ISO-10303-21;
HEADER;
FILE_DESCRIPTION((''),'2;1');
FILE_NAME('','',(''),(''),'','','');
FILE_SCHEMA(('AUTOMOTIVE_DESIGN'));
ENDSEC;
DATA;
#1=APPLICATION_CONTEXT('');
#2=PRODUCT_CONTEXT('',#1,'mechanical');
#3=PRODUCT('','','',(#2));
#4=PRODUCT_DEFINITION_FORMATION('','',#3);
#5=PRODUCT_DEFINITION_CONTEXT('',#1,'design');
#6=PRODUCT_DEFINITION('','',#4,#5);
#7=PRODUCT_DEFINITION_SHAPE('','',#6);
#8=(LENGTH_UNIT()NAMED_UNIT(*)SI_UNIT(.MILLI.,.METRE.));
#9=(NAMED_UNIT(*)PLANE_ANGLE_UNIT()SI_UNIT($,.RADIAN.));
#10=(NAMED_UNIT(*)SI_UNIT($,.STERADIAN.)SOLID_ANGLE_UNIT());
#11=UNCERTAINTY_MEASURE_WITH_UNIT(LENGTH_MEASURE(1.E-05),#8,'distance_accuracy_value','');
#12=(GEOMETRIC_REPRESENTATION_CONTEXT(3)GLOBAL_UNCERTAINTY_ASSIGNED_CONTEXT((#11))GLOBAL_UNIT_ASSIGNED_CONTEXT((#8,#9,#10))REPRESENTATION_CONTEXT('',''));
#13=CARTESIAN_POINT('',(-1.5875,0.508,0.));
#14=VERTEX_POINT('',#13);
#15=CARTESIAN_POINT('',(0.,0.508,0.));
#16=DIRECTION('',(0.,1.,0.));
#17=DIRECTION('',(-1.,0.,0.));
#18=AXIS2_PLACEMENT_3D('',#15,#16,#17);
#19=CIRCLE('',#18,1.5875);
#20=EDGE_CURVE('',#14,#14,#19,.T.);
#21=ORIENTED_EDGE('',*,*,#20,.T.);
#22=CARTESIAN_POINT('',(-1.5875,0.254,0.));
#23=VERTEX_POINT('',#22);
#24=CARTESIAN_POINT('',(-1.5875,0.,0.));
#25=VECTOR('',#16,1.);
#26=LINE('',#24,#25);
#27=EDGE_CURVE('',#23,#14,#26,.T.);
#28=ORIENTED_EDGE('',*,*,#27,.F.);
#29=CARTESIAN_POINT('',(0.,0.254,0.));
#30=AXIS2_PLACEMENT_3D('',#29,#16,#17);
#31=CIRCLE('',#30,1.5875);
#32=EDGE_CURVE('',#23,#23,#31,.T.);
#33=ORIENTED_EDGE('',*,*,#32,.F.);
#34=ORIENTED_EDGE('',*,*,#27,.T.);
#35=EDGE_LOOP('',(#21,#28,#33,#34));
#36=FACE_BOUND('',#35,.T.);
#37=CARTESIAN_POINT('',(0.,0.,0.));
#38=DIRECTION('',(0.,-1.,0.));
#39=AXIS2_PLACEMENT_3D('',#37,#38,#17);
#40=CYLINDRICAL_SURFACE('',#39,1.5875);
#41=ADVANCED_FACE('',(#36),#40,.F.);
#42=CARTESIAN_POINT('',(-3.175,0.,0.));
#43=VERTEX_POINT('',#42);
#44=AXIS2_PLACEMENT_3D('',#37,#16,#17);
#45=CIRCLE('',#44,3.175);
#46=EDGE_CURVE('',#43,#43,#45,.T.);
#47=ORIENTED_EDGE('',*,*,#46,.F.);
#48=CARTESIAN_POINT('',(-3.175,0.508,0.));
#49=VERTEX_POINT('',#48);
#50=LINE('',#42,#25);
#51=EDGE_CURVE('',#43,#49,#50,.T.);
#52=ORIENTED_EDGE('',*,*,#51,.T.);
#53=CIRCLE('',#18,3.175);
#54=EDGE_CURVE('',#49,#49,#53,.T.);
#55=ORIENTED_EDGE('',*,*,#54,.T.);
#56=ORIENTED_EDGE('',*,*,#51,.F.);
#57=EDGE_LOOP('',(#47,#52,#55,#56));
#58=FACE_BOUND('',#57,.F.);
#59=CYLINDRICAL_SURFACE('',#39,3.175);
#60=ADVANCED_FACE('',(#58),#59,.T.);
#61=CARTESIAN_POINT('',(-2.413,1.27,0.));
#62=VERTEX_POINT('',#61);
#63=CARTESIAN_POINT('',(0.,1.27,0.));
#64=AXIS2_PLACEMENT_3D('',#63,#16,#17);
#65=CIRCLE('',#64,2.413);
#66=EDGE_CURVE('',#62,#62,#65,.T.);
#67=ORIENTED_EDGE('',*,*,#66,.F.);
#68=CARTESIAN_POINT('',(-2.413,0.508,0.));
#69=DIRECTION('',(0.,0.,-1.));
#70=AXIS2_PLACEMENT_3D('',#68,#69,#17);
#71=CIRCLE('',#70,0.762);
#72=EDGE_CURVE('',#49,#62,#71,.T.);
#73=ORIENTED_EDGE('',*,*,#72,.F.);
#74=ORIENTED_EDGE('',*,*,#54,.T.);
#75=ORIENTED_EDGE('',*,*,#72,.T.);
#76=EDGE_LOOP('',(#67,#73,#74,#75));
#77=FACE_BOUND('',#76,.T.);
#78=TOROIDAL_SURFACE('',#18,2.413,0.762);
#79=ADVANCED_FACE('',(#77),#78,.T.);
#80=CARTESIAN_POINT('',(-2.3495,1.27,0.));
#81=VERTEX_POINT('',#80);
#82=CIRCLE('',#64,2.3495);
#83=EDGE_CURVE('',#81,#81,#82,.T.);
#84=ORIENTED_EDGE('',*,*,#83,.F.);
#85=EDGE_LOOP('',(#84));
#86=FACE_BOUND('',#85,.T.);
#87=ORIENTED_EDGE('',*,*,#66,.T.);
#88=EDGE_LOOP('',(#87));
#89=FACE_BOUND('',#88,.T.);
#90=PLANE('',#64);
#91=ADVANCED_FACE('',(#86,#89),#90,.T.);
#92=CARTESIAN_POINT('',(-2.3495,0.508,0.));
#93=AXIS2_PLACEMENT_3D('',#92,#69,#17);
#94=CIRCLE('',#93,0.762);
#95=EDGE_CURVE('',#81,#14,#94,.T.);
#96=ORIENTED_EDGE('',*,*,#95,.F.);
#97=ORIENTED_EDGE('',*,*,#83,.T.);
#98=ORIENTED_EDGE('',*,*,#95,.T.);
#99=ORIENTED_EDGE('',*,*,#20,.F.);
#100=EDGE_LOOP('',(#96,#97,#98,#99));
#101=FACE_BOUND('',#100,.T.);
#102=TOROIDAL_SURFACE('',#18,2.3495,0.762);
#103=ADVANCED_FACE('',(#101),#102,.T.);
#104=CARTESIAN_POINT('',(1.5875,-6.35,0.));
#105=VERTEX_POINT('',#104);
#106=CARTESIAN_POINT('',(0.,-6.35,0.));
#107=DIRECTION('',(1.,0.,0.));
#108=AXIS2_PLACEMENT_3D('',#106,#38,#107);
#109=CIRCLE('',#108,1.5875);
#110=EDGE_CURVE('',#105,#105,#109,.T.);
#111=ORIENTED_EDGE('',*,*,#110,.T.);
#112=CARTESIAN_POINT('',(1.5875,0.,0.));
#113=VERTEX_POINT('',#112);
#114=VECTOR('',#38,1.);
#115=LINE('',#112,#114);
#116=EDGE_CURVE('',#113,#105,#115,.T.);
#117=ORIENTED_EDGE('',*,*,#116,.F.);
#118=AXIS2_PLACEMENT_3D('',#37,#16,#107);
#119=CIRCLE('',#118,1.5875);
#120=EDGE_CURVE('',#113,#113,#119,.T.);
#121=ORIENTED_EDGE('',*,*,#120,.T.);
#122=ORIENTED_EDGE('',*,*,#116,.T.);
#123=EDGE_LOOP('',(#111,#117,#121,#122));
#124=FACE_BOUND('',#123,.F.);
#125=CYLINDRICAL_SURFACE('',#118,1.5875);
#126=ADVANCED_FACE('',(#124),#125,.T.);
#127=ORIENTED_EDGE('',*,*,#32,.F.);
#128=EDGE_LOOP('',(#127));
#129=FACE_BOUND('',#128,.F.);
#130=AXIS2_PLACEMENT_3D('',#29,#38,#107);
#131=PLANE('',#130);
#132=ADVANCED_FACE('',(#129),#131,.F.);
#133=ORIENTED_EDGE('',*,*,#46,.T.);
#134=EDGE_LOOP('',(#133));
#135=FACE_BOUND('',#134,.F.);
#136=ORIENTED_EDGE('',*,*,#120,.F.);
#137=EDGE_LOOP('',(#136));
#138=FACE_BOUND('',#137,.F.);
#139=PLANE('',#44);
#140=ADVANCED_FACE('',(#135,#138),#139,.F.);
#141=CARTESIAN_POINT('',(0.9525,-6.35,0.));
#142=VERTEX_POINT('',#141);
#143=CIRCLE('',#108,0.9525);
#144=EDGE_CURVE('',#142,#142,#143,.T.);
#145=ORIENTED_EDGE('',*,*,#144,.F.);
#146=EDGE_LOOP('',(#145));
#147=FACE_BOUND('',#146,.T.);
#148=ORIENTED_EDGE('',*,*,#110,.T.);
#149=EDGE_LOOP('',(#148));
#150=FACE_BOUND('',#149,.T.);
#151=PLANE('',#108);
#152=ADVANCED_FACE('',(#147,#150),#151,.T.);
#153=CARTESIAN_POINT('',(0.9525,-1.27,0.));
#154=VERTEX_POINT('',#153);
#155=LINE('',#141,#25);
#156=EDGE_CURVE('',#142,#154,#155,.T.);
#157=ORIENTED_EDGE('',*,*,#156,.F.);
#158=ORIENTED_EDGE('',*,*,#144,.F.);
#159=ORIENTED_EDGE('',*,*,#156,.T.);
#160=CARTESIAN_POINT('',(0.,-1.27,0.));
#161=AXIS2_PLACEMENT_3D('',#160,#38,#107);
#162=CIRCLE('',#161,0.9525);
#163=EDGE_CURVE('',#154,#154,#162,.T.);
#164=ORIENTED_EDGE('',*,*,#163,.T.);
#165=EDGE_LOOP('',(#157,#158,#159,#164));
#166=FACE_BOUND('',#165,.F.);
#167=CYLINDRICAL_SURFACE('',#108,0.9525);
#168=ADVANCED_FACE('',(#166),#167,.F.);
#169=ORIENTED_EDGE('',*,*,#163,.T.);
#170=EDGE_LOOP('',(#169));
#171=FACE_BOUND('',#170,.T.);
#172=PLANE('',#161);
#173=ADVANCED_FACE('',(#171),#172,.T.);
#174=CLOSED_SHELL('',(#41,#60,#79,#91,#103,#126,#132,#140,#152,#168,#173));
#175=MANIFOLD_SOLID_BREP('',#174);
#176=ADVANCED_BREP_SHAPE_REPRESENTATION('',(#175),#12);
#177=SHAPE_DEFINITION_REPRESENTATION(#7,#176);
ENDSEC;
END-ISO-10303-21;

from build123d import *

# Parameters (mm, degrees)
F0_R     = 1.5875
F1_DEPTH = 6.35
F2_R     = 0.9525
F3_DEPTH = 5.08
F4_R     = 3.175
F4_R_2   = 1.5875
F5_DEPTH = 1.27
F6_R     = 0.762
F7_DEPTH = 0.254


with BuildPart() as f1:
    # F0 (on Front) → F1 (new body)
    with BuildSketch(Plane.XZ):
        Circle(F0_R)
    extrude(amount=F1_DEPTH)

    # F2 (on face) → F3 (cut)
    with BuildSketch(Plane.XZ.offset(6.35)):
        Circle(F2_R)
    extrude(amount=-F3_DEPTH, mode=Mode.SUBTRACT)

    # F4 (on face) → F5 (join)
    with BuildSketch(Plane(origin=(0, 0, 0), x_dir=(-1, 0, 0), z_dir=(0, 1, 0))):
        Circle(F4_R)
        Circle(F4_R_2, mode=Mode.SUBTRACT)
    extrude(amount=F5_DEPTH)

    # F6
    f6_edges = [f1.edges().sort_by_distance(p)[0] for p in [
        (3.175, 1.27, 0),
        (1.5875, 1.27, 0),
    ]]
    fillet(f6_edges, radius=F6_R)

    # F7 (add): a face of the model
    f7_faces = [f1.faces().sort_by_distance(p)[0] for p in [
        (0, 0, 0),
    ]]
    extrude(f7_faces, amount=F7_DEPTH)


solid = f1.part
